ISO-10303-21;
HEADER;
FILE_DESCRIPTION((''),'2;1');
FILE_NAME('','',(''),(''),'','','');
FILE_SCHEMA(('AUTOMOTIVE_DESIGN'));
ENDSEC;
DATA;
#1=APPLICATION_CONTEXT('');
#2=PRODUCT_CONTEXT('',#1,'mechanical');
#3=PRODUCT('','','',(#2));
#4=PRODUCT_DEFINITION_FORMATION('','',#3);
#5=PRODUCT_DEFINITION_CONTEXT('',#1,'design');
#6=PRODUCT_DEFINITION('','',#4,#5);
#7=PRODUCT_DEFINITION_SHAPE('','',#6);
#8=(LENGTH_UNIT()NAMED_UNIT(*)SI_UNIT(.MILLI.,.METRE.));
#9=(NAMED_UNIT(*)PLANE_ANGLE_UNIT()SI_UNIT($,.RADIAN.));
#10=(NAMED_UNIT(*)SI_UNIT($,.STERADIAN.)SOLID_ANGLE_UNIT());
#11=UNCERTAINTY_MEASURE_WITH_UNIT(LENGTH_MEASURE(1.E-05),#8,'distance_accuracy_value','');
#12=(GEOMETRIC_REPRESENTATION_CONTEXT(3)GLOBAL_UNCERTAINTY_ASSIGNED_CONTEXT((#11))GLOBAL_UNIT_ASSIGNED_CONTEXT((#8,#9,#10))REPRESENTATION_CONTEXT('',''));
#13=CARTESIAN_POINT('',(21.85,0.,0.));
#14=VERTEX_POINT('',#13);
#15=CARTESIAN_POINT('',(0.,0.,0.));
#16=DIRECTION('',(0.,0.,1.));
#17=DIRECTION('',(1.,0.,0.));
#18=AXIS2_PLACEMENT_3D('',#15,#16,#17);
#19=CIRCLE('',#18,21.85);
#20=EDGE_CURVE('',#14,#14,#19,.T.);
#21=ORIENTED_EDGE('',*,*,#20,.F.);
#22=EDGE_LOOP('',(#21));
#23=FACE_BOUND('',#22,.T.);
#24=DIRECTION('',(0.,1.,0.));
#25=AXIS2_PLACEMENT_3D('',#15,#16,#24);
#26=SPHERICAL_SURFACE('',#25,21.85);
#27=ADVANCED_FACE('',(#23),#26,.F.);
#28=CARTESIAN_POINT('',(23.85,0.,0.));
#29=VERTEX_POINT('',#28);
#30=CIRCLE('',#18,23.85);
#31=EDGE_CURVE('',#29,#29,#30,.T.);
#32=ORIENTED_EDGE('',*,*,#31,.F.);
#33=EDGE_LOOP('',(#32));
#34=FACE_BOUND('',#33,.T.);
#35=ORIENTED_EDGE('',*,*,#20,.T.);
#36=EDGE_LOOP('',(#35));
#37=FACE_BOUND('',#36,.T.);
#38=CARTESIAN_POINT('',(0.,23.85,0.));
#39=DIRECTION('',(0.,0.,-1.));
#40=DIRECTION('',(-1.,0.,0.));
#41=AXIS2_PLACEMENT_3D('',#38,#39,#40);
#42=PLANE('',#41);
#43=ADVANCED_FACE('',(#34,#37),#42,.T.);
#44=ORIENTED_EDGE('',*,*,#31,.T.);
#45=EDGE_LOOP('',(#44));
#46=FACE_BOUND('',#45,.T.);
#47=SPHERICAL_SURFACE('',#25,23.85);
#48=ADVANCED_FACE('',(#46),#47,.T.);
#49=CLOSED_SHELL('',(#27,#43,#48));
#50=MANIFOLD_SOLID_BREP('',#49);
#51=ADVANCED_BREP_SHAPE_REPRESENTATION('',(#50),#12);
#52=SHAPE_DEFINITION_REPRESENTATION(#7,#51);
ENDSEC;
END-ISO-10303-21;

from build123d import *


with BuildPart() as part:
    # Sketch1 → Revolve-Thin1 (revolve)
    with BuildSketch(Plane(origin=(0, 0, 0), x_dir=(0, 0, -1), z_dir=(1, 0, 0))):
        with BuildLine():
            ThreePointArc((0, 21.85), (-15.450283169, 15.450283169), (-21.85, 0))
            Line((-21.85, 0), (-23.85, 0))
            ThreePointArc((-23.85, 0), (-16.864496731, 16.864496731), (0, 23.85))
            Line((0, 23.85), (0, 21.85))
        make_face()
    revolve(axis=Axis((0, 0, 45.57258257), (0, 0, -1)))


solid = part.part
